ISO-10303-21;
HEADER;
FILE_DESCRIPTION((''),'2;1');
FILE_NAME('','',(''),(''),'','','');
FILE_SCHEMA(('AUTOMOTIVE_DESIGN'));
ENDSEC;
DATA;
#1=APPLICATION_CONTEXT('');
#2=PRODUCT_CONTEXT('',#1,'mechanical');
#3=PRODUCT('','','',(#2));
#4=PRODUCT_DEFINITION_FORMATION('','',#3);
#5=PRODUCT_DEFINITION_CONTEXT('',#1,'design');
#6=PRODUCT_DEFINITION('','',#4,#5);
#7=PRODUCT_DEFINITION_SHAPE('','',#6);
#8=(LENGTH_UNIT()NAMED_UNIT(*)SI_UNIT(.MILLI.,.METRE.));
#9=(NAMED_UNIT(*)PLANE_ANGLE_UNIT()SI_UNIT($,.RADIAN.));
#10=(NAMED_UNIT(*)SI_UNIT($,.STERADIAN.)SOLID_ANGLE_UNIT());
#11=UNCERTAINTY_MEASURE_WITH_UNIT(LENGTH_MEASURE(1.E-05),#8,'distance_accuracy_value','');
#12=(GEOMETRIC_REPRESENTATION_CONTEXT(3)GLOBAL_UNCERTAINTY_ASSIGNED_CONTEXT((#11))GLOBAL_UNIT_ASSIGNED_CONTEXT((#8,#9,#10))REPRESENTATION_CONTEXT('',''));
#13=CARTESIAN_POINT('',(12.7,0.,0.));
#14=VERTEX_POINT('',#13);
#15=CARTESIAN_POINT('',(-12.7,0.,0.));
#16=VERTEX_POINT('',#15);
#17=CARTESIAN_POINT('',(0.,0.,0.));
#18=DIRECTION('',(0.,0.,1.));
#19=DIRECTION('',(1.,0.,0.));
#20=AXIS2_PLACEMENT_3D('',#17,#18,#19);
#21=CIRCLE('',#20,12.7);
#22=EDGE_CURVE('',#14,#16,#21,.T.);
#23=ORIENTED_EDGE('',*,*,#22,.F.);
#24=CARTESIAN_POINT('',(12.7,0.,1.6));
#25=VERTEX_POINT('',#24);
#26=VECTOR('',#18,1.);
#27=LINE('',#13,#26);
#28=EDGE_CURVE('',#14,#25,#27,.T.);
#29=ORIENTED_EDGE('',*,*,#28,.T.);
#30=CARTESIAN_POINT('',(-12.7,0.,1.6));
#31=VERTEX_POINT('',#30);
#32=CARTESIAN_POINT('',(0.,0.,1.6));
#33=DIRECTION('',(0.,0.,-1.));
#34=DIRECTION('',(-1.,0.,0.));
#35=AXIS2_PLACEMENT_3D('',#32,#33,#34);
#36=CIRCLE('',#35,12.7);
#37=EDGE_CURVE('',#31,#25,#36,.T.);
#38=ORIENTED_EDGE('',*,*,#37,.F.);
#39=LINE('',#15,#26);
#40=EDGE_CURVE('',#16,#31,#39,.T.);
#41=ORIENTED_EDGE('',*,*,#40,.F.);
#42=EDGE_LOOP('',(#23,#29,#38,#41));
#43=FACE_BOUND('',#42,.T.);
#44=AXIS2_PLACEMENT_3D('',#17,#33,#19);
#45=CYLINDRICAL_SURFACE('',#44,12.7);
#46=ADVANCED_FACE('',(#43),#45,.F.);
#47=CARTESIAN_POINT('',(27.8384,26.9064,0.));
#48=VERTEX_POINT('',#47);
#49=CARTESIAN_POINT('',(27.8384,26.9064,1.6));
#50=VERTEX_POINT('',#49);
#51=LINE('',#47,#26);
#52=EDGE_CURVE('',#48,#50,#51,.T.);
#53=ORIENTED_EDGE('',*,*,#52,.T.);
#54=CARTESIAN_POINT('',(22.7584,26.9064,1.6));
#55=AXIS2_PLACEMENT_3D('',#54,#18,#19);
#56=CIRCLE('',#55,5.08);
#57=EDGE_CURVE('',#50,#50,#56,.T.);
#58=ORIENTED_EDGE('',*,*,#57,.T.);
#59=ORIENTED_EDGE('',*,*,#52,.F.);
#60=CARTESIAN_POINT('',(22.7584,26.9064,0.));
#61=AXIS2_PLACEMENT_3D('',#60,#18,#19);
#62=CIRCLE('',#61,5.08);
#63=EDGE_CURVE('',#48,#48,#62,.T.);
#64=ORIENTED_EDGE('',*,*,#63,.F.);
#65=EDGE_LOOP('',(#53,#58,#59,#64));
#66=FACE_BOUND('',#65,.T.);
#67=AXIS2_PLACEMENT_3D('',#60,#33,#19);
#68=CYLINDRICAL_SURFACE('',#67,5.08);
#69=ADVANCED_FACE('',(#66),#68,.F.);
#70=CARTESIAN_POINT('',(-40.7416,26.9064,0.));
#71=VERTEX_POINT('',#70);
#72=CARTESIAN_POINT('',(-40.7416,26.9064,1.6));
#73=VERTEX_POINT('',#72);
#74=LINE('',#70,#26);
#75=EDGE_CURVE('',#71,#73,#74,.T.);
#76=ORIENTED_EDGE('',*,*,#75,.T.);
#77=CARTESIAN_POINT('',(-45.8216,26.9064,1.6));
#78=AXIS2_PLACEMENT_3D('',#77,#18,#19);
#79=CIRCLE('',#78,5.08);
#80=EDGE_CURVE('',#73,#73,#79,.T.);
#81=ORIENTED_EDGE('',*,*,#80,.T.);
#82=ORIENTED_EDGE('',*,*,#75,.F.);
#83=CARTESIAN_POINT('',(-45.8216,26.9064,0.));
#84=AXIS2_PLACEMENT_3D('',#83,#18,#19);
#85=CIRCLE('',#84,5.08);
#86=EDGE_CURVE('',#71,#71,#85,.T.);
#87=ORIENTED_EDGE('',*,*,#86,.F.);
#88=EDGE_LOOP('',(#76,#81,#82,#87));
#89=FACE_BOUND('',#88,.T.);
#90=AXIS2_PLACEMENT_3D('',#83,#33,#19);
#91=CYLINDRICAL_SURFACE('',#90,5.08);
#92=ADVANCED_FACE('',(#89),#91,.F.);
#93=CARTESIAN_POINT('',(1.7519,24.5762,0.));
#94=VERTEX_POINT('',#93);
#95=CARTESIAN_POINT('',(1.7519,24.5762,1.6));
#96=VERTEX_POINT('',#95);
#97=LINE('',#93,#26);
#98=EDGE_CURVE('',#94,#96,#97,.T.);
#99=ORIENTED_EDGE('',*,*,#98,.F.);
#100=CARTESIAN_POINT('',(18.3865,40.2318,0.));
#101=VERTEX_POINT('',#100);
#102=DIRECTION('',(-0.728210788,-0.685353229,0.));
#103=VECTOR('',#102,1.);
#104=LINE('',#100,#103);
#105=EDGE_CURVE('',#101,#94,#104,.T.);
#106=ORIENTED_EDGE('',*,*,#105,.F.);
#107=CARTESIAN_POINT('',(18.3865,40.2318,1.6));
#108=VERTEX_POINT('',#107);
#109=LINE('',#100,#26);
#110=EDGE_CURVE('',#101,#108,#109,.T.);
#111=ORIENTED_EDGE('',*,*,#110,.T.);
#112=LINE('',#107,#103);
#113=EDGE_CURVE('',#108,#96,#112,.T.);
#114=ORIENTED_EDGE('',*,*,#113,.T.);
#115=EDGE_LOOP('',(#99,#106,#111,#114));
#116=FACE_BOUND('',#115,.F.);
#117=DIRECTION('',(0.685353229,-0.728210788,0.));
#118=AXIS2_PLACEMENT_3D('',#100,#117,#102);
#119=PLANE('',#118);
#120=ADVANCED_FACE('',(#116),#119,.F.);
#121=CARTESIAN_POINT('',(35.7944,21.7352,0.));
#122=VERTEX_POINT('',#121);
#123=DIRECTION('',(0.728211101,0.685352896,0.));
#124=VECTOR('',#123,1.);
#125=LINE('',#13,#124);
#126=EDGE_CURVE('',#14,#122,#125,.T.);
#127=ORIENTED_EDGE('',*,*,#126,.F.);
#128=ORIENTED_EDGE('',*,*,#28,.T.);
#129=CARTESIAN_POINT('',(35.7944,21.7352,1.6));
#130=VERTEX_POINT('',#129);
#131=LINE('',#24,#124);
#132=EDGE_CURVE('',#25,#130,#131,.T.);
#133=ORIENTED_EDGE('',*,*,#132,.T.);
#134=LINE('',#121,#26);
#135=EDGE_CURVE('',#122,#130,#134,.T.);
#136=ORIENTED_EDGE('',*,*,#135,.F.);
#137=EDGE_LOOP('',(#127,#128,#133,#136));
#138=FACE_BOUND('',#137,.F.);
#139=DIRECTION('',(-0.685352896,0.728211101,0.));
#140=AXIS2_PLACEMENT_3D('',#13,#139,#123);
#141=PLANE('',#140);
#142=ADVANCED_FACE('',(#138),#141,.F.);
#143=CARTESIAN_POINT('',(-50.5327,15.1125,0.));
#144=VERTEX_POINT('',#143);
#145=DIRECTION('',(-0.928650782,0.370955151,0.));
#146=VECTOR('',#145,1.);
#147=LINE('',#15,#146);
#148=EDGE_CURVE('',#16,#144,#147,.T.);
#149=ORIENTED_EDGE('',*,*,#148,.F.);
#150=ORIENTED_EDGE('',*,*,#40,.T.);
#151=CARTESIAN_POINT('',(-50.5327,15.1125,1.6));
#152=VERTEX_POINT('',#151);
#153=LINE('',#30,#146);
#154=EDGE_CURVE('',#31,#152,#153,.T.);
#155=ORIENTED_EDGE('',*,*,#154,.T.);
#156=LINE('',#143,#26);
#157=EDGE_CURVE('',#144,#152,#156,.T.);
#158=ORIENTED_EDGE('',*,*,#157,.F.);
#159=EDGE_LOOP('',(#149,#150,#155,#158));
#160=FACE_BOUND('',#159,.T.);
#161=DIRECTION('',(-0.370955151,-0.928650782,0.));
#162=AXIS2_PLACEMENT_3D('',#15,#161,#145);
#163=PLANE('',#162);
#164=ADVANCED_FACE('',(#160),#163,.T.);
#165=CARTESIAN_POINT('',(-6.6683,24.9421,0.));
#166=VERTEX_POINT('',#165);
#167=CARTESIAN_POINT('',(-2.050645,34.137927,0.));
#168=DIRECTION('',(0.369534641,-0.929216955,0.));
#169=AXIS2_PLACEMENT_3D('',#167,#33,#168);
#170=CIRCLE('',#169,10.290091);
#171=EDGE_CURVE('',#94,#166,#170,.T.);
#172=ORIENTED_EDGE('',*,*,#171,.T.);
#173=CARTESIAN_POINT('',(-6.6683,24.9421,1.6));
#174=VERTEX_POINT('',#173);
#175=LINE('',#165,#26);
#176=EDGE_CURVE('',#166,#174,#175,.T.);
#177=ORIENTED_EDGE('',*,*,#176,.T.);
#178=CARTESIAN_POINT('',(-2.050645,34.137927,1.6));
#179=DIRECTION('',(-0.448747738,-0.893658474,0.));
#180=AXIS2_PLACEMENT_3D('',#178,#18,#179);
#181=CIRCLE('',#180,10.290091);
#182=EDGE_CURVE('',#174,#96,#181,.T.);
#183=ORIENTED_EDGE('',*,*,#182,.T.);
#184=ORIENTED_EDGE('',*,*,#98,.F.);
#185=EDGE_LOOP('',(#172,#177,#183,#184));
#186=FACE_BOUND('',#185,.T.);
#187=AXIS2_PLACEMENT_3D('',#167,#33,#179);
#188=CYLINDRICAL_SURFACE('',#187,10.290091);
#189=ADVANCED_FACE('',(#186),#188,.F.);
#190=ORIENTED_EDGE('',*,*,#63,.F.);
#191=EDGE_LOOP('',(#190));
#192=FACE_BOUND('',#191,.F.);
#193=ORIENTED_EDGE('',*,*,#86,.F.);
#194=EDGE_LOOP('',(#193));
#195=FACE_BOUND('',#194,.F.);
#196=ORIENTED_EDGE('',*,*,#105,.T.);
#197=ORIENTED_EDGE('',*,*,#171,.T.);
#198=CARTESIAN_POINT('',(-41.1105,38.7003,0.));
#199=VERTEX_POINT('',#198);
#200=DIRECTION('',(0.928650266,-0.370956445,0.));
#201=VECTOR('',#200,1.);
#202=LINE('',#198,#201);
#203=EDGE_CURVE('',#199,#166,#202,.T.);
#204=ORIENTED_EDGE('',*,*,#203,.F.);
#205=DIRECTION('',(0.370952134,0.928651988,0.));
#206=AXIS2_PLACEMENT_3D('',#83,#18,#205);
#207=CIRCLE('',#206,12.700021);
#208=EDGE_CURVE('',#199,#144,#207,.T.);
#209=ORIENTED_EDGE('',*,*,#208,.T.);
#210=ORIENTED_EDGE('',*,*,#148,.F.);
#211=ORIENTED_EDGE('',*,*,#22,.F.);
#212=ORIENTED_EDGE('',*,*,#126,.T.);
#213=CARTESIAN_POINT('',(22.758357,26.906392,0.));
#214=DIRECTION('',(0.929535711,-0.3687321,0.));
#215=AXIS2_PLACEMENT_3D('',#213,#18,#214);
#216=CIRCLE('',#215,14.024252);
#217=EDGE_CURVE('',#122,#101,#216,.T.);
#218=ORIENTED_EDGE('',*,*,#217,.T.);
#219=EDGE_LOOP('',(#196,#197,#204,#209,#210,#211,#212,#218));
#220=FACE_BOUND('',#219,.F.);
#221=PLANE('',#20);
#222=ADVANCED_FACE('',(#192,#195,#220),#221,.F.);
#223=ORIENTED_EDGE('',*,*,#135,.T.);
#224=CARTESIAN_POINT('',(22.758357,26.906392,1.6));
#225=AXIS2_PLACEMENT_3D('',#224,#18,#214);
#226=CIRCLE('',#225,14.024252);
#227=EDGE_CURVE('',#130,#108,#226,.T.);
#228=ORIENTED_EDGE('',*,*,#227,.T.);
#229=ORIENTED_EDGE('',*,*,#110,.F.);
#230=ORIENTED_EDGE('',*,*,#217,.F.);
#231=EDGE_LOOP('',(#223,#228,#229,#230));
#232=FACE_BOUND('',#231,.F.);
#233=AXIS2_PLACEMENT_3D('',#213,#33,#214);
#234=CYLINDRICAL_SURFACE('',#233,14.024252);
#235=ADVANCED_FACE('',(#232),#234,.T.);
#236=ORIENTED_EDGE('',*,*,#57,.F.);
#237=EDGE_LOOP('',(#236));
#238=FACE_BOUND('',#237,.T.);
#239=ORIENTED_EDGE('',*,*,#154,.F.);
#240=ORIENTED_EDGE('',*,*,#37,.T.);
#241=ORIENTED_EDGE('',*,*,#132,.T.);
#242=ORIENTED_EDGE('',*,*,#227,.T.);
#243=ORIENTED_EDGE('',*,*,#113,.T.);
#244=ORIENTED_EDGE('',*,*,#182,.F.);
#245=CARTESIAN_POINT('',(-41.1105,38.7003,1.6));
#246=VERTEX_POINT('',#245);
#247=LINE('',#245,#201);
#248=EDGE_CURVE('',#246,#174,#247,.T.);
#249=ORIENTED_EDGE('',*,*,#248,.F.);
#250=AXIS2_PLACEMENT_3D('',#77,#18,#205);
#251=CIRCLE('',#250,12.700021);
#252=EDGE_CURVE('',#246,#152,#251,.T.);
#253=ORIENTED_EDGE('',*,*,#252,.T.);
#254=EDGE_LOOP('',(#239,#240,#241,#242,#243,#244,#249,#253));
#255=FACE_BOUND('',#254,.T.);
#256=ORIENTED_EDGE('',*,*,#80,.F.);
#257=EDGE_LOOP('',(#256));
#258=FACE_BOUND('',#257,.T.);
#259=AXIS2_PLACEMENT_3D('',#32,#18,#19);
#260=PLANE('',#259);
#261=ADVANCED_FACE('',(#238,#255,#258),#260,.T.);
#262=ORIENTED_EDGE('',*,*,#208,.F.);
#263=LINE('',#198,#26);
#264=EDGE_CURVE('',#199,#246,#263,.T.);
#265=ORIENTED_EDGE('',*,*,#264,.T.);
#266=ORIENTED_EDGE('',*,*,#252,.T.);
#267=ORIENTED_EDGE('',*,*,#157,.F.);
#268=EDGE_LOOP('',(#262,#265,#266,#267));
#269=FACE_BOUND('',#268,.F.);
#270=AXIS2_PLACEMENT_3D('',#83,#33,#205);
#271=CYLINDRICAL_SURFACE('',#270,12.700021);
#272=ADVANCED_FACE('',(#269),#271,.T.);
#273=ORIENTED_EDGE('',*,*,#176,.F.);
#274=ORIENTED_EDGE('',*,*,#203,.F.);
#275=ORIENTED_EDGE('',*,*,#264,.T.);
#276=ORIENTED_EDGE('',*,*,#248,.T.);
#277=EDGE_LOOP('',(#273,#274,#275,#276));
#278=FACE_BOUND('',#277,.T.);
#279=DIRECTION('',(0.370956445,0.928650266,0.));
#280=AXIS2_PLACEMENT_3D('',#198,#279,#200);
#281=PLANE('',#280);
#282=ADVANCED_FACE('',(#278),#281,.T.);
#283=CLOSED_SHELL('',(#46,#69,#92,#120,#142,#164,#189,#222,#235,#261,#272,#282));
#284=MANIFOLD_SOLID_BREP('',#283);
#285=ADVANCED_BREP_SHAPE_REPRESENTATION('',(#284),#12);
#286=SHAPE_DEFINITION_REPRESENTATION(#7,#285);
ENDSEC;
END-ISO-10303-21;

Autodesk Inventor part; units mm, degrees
ref_plane "YZ Plane" through (0, 0, 0) normal (1, 0, 0) x (0, 1, 0)
ref_plane "XZ Plane" through (0, 0, 0) normal (0, 1, 0) x (-1, 0, 0)
ref_plane "XY Plane" through (0, 0, 0) normal (0, 0, 1) x (1, 0, 0)
sketch "Esboço1" plane through (0, 0, 0) normal (0, 0, 1) x (1, 0, 0)
  arc A0 (0, 12.7) -> (-12.7, 0) centre (0, 0) ccw
  line L0 (-12.7, 0) -> (-50.5327, 15.1125)
  arc A1 (-41.1105, 38.7003) -> (-50.5327, 15.1125) centre (-45.8216, 26.9064) ccw
  line L1 (-41.1105, 38.7003) -> (-6.6683, 24.9421)
  circle A2 centre (-45.8216, 26.9064) radius 5.08
  arc A3 (12.7, 0) -> (0, 12.7) centre (0, 0) ccw
  line L2 (12.7, 0) -> (35.7944, 21.7352)
  arc A4 (35.7944, 21.7352) -> (18.3865, 40.2318) centre (22.7584, 26.9064) ccw
  line L3 (18.3865, 40.2318) -> (1.7519, 24.5762)
  circle A5 centre (22.7584, 26.9064) radius 5.08
  line L4 (0, 0) -> (0, 57.6178)
  arc A6 (-6.6683, 24.9421) -> (1.7519, 24.5762) centre (-2.0506, 34.1381) ccw
  dimension "d2" = 12.7
  dimension "d3" = 10.16
  dimension "d5" = 26.9064
  dimension "d6" = 12.7
  dimension "d10" = 25.4
  dimension "d11" = 114.962
  dimension "d15" = 26.9064
  dimension "d16" = 25.4
  dimension "d17" = 25.4
  dimension "d18" = 45.8216
  dimension "d19" = 40.7395
  dimension "d20" = 22.7584
  dimension "d21" = 7.62
  dimension "d22" = 12.7
  dimension "d23" = 7.62
extrude "Extrusão1" add sketch "Esboço1" along normal blind 1.6
properties part number "FixaçãoTanque_2" material "Aço, suave"
